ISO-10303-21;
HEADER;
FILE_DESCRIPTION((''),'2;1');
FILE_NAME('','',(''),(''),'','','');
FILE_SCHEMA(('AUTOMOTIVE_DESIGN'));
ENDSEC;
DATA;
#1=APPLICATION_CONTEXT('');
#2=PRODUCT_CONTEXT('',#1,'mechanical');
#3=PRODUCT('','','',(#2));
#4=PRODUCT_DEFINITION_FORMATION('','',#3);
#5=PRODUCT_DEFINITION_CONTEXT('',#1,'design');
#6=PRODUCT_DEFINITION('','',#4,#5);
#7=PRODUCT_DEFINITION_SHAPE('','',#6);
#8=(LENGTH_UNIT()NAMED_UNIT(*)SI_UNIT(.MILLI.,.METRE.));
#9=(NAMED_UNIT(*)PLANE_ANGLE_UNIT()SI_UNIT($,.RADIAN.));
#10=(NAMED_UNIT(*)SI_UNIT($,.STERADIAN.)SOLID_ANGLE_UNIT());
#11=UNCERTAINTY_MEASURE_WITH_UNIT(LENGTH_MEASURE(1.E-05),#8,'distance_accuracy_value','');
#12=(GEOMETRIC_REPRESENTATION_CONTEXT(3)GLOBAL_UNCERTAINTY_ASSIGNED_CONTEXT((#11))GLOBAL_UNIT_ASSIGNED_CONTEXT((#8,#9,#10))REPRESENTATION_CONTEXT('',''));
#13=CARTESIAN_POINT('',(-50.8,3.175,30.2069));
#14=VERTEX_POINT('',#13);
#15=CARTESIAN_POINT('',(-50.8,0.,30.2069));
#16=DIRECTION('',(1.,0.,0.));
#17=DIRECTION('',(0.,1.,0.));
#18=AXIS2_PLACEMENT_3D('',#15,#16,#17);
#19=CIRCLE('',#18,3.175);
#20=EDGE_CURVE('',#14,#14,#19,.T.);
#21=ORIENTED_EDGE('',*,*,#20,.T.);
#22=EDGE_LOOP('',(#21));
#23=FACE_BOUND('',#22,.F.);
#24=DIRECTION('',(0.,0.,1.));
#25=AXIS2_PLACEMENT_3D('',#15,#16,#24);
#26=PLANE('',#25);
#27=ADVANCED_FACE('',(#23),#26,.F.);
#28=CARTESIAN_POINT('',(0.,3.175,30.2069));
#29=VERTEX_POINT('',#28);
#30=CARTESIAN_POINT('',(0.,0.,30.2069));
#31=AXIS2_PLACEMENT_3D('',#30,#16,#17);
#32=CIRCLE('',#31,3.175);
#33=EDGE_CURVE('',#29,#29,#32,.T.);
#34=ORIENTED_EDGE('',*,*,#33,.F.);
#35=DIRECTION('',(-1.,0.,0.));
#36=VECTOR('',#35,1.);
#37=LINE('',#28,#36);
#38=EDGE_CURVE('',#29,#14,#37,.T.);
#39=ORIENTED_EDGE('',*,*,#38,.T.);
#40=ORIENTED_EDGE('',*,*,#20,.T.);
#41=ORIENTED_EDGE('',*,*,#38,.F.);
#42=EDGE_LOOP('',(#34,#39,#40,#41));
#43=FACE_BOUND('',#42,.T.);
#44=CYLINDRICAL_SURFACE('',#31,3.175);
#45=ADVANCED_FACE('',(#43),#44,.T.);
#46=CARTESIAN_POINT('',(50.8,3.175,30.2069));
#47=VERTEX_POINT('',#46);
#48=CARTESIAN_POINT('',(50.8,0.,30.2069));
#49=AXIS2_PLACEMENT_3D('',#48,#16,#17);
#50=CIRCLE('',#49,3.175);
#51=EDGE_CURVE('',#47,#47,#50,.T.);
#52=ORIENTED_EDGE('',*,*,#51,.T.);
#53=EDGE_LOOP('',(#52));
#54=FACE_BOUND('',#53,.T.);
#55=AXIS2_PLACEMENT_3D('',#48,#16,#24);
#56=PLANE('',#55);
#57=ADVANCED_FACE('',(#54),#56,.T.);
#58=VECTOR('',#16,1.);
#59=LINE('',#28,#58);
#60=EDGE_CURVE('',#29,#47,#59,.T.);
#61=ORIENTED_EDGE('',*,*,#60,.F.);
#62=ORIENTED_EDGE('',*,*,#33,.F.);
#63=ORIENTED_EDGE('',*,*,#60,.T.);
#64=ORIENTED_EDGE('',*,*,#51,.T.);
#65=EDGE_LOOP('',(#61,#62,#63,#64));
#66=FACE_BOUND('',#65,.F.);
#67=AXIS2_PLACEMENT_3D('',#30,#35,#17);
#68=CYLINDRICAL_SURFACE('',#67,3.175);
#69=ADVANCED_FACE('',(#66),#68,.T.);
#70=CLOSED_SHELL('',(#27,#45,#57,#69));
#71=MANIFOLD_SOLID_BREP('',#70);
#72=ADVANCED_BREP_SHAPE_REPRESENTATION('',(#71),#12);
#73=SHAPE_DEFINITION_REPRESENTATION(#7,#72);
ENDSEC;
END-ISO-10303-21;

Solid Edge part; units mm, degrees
sketch "Sketch1" plane through (0, 0, 0) normal (1, 0, 0) x (0, 1, 0)
  circle A0 centre (0, 30.2069) radius 3.175
  dimension "D1" = 6.35
extrude "Protrusion1" add sketch "Sketch1" along normal mid plane 101.6
